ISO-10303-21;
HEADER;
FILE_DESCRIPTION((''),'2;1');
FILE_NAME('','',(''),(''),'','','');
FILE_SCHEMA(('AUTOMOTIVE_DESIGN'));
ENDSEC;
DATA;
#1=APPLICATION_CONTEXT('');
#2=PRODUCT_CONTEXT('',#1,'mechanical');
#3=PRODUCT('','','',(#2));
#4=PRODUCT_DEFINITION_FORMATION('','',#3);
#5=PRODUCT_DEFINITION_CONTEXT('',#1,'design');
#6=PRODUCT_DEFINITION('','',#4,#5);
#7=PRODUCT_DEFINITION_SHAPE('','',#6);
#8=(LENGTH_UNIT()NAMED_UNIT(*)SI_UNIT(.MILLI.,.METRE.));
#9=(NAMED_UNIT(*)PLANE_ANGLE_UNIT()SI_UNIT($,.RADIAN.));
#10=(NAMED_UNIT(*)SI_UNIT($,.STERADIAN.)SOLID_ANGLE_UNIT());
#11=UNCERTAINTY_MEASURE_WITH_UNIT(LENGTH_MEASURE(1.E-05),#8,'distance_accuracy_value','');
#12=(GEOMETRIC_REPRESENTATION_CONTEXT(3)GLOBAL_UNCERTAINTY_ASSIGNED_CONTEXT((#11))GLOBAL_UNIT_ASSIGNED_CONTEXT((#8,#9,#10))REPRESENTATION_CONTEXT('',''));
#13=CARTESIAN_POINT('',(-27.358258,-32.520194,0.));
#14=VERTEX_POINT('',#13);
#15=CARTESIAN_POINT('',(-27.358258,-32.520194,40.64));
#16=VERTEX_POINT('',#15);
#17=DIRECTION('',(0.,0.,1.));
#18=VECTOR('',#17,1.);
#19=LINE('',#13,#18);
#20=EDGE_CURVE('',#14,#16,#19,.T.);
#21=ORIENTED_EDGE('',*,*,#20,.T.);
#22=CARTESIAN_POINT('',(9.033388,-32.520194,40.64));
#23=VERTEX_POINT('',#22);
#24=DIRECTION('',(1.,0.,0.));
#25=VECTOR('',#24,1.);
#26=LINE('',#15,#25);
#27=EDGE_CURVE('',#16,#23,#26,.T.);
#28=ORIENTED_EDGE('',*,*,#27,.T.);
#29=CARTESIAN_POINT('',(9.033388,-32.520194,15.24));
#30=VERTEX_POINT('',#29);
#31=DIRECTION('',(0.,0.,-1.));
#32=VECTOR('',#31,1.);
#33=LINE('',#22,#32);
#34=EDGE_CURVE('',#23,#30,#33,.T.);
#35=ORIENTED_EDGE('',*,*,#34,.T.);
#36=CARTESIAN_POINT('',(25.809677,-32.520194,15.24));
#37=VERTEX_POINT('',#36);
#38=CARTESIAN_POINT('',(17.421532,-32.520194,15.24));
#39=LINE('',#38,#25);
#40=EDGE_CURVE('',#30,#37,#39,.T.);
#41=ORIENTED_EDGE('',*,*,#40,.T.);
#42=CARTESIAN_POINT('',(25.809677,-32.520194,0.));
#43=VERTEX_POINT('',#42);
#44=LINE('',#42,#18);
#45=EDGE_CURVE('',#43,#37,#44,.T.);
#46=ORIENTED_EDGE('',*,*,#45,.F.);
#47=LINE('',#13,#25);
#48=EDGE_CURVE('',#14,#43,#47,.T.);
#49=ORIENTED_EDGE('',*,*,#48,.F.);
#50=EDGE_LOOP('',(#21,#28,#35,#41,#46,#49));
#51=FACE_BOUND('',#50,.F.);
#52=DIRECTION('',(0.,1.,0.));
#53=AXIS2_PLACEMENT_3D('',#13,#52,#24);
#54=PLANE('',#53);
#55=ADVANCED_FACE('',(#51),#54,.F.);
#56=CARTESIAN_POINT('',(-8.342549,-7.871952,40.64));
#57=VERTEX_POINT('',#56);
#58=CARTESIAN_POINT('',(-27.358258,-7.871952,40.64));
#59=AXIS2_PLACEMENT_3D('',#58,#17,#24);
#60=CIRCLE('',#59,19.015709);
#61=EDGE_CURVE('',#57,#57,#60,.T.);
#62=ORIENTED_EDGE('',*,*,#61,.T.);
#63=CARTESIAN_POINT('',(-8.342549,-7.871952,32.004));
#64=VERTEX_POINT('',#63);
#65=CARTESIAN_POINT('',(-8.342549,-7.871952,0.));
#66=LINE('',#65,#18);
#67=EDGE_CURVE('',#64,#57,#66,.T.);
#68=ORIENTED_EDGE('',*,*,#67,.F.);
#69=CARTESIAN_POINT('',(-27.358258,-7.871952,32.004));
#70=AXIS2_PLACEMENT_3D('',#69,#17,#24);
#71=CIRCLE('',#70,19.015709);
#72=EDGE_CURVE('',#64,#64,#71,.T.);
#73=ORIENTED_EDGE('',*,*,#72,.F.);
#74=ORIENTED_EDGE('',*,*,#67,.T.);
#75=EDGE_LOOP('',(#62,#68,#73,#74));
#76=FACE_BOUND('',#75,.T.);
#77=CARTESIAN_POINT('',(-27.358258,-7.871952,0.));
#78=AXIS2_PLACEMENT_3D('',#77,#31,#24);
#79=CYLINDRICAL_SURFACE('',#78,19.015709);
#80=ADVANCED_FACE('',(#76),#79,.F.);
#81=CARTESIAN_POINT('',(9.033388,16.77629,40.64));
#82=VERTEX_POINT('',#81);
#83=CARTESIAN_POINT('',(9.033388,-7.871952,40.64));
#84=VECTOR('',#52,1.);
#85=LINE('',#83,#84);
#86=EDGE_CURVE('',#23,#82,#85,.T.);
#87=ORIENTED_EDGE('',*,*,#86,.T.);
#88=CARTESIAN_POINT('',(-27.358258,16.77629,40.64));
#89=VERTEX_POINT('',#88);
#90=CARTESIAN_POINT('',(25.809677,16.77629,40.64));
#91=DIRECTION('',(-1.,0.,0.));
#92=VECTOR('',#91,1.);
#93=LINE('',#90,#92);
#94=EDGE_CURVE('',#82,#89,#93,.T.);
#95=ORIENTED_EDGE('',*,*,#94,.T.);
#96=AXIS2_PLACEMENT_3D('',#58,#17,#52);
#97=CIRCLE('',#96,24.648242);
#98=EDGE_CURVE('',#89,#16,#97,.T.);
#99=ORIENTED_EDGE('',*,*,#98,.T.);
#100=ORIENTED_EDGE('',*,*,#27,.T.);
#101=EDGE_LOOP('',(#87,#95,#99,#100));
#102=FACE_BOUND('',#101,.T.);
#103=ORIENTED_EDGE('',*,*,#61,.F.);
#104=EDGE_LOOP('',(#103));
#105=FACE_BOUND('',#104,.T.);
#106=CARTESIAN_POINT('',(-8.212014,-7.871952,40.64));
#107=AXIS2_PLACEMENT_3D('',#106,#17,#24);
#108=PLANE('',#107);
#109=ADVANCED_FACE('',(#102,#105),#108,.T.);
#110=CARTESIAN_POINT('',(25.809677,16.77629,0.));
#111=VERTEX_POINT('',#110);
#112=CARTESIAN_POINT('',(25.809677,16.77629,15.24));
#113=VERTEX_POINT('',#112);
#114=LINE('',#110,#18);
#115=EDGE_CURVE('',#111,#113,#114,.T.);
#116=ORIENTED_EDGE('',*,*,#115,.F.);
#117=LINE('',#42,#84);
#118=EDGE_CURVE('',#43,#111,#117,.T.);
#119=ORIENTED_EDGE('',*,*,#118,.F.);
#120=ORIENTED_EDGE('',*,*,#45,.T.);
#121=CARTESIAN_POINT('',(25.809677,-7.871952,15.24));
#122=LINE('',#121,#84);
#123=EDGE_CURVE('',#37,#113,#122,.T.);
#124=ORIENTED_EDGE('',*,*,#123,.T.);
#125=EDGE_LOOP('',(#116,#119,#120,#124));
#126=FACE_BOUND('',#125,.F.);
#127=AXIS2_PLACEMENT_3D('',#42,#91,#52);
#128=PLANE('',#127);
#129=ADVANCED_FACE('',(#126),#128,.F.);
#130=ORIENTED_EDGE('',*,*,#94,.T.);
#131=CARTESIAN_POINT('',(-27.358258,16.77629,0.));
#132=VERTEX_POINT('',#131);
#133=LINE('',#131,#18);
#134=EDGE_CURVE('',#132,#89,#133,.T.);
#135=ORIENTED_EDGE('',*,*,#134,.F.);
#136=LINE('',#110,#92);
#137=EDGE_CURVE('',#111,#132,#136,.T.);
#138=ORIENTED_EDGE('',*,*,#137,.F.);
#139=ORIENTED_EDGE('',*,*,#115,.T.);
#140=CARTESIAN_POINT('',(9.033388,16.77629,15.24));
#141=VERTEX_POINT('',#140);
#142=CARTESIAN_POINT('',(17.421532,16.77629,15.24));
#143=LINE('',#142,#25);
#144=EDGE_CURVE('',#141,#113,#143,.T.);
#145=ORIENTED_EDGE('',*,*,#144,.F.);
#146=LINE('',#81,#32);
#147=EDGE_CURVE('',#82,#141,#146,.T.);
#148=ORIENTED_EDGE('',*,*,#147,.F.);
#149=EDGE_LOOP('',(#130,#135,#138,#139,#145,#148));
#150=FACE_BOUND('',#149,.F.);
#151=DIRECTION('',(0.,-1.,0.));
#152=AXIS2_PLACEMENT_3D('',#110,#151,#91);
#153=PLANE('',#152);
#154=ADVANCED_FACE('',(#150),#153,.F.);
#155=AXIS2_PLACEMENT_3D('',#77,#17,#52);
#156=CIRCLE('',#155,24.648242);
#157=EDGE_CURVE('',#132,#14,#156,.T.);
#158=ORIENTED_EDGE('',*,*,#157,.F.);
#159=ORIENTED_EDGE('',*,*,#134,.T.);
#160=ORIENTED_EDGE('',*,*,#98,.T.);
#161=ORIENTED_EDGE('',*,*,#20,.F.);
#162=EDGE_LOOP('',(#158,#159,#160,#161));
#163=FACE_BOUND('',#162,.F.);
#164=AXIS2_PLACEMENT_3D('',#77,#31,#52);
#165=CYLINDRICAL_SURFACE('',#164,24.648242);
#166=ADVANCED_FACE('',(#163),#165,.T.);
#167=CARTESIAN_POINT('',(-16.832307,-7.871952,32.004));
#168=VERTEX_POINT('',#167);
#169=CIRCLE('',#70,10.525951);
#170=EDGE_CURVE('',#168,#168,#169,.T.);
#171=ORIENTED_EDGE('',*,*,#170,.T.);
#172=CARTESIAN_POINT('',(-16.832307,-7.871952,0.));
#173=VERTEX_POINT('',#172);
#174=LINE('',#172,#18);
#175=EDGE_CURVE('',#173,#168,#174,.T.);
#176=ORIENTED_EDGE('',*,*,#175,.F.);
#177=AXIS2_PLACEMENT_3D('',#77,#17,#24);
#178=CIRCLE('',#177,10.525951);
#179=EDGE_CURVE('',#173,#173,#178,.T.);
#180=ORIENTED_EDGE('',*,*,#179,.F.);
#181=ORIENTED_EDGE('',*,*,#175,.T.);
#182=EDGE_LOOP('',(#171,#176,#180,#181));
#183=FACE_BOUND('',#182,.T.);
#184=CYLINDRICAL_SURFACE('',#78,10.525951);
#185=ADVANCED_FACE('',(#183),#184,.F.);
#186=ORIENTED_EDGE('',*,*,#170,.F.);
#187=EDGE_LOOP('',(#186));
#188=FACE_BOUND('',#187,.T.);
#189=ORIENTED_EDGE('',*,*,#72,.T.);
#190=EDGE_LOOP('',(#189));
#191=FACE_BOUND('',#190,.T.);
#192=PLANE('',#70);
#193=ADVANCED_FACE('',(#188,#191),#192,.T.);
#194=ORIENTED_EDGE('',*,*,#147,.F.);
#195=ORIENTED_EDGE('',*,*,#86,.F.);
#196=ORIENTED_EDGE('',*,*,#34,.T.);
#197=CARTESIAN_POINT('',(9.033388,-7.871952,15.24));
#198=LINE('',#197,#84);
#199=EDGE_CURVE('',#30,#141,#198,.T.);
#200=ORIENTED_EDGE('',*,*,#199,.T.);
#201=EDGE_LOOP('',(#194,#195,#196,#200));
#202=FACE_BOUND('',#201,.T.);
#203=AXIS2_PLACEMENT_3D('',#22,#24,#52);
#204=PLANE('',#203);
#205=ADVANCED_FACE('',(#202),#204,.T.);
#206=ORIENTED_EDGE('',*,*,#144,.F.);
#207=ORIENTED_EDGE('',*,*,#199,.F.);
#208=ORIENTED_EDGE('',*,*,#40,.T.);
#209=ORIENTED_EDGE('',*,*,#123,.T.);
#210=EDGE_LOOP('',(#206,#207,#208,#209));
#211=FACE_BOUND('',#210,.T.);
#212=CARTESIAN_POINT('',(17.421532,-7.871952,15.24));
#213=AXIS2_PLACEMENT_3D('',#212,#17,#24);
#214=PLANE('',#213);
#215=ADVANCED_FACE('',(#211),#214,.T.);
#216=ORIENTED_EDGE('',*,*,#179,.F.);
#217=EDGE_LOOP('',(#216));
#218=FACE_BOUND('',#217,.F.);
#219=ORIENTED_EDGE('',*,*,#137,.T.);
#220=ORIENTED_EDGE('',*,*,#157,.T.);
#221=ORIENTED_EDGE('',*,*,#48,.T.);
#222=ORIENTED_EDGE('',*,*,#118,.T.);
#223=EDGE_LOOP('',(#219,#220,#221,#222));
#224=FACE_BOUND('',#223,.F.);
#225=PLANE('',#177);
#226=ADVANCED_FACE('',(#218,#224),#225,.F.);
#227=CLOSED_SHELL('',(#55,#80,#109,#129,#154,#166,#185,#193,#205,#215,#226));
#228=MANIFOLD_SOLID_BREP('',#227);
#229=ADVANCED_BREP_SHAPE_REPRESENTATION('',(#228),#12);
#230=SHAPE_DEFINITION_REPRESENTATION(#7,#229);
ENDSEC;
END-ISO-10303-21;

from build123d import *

# Parameters (mm, degrees)
F0_R     = 19.0157086471
F1_DEPTH = 40.64
F0_R_2   = 10.5259508952
F2_DEPTH = 32.004
F3_W     = 16.7762897909
F3_H     = 49.2964833975
F4_DEPTH = 25.4


with BuildPart() as f1:
    # F0 (on Top) → F1 (new body)
    with BuildSketch(Plane.XY):
        with BuildLine():
            Line((25.8096773177, -32.5201936066), (25.8096773177, 16.7762897909))
            Line((25.8096773177, 16.7762897909), (-27.3582581431, 16.7762897909))
            ThreePointArc((-27.3582581431, 16.7762897909), (-52.0064998418, -7.8719519079), (-27.3582581431, -32.5201936066))
            Line((-27.3582581431, -32.5201936066), (25.8096773177, -32.5201936066))
        make_face()
        with Locations((-27.3582581431, -7.8719519079)):
            Circle(F0_R, mode=Mode.SUBTRACT)
    extrude(amount=F1_DEPTH)

    # F0 (on Top) → F2 (join)
    with BuildSketch(Plane.XY):
        with Locations((-27.3582581431, -7.8719519079)):
            Circle(F0_R)
        with Locations((-27.3582581431, -7.8719519079)):
            Circle(F0_R_2, mode=Mode.SUBTRACT)
    extrude(amount=F2_DEPTH)

    # F3 (on face) → F4 (cut)
    with BuildSketch(Plane.XY.offset(40.64)):
        with Locations((17.4215324223, -7.8719519079)):
            Rectangle(F3_W, F3_H)
    extrude(amount=-F4_DEPTH, mode=Mode.SUBTRACT)


solid = f1.part
